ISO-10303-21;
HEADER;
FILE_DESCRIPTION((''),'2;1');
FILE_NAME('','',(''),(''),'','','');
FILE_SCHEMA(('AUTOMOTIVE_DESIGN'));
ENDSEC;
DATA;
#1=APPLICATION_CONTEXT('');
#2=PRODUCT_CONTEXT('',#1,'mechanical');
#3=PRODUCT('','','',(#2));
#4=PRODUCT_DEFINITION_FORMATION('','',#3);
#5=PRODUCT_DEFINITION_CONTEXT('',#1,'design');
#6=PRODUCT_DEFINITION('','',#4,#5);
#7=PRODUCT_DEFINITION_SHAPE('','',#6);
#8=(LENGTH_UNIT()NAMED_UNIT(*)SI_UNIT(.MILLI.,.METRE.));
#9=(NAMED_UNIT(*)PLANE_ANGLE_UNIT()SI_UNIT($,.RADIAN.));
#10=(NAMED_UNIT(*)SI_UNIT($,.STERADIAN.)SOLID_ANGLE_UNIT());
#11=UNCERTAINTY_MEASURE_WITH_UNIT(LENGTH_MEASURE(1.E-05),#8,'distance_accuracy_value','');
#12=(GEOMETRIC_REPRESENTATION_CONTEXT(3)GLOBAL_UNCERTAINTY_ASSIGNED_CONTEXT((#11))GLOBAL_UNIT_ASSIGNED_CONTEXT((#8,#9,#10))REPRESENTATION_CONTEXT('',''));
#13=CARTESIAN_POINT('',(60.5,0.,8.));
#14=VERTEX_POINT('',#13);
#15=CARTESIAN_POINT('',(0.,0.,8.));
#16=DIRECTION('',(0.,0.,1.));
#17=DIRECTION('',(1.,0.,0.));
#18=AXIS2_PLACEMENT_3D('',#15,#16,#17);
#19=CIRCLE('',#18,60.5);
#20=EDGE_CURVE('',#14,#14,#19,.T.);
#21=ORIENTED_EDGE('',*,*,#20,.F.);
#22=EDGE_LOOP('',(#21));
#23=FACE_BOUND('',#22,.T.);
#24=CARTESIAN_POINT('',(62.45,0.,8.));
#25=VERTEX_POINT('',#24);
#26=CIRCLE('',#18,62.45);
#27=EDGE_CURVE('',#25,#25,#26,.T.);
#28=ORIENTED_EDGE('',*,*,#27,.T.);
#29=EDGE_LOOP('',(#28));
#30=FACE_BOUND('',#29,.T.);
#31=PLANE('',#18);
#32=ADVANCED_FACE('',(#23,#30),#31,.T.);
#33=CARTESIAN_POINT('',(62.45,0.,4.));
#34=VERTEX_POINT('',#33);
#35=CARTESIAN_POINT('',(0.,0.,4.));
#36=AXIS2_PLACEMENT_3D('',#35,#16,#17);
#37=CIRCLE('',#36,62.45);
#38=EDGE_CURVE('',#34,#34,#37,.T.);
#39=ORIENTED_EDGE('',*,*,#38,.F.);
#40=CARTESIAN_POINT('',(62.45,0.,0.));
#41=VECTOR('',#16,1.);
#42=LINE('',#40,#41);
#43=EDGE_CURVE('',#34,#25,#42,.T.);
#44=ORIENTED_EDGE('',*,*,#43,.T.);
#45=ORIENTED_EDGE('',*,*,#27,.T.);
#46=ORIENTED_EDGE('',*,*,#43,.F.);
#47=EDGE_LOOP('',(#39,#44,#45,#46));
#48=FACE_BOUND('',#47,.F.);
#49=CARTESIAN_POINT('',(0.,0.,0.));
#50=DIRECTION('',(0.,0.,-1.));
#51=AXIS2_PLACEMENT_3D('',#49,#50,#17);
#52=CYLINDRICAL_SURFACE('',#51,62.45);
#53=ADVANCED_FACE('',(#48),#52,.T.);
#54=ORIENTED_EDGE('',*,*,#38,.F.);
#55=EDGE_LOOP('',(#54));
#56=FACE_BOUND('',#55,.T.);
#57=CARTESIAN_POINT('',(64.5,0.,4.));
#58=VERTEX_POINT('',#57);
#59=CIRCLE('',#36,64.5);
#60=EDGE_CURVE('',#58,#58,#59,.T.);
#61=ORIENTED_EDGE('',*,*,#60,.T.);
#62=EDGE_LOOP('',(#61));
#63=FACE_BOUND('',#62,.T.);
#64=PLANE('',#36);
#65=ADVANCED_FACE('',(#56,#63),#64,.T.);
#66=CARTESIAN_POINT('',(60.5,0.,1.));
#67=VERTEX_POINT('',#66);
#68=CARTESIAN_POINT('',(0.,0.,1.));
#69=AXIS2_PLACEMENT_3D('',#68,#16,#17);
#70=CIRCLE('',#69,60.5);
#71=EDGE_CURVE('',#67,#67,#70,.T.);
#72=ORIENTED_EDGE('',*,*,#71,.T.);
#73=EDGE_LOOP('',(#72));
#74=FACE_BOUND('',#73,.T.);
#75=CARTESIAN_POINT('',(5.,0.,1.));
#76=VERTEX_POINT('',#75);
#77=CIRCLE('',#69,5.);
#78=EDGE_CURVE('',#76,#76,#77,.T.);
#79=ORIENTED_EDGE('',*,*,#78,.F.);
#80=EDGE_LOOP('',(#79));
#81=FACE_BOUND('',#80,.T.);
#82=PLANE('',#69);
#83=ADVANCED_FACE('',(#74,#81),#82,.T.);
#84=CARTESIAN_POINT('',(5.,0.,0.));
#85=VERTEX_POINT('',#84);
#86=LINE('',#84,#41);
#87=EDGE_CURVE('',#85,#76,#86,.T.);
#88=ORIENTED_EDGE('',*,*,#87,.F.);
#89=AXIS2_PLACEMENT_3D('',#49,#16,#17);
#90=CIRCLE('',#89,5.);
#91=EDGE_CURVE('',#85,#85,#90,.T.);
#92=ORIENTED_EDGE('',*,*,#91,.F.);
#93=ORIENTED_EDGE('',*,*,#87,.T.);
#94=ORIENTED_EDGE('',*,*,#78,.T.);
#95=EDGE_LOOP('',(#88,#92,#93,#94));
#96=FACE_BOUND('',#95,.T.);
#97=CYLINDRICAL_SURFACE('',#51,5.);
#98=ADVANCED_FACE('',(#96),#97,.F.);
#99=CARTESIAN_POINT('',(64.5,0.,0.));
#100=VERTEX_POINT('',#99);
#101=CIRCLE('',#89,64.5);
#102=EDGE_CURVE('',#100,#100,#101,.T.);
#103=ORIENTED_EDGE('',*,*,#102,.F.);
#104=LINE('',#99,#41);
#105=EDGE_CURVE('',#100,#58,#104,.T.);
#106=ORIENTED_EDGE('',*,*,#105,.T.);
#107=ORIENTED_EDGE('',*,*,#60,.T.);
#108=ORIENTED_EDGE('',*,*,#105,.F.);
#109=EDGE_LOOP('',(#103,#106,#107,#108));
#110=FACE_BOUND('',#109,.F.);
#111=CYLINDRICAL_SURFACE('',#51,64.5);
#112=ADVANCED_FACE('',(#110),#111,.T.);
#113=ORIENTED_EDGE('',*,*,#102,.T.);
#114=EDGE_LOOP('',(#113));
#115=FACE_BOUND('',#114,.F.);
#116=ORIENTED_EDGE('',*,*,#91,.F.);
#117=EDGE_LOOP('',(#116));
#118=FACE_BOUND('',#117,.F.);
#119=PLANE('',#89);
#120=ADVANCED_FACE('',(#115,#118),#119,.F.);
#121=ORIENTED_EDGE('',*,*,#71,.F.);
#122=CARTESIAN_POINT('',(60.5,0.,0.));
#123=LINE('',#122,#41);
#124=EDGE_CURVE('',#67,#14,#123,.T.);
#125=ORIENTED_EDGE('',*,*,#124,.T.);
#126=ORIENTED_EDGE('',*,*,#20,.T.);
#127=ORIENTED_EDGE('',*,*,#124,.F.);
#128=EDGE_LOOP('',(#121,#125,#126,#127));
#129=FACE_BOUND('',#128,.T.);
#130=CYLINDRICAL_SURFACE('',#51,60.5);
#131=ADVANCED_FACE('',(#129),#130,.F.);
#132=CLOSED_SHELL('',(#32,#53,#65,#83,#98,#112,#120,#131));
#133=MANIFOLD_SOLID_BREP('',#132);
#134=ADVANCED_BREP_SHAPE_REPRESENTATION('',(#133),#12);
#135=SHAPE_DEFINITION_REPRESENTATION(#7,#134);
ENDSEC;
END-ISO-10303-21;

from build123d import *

# Parameters (mm, degrees)
F0_R     = 60.5
F0_R_2   = 5
F1_DEPTH = 1
F0_R_3   = 62.45
F2_DEPTH = 8
F0_R_4   = 64.5
F3_DEPTH = 4


with BuildPart() as f1:
    # F0 (on Top) → F1 (new body)
    with BuildSketch(Plane.XY):
        Circle(F0_R)
        Circle(F0_R_2, mode=Mode.SUBTRACT)
    extrude(amount=F1_DEPTH)

    # F0 (on Top) → F2 (join)
    with BuildSketch(Plane.XY):
        Circle(F0_R_3)
        Circle(F0_R, mode=Mode.SUBTRACT)
    extrude(amount=F2_DEPTH)

    # F0 (on Top) → F3 (join)
    with BuildSketch(Plane.XY):
        Circle(F0_R_4)
        Circle(F0_R_3, mode=Mode.SUBTRACT)
    extrude(amount=F3_DEPTH)


solid = f1.part
